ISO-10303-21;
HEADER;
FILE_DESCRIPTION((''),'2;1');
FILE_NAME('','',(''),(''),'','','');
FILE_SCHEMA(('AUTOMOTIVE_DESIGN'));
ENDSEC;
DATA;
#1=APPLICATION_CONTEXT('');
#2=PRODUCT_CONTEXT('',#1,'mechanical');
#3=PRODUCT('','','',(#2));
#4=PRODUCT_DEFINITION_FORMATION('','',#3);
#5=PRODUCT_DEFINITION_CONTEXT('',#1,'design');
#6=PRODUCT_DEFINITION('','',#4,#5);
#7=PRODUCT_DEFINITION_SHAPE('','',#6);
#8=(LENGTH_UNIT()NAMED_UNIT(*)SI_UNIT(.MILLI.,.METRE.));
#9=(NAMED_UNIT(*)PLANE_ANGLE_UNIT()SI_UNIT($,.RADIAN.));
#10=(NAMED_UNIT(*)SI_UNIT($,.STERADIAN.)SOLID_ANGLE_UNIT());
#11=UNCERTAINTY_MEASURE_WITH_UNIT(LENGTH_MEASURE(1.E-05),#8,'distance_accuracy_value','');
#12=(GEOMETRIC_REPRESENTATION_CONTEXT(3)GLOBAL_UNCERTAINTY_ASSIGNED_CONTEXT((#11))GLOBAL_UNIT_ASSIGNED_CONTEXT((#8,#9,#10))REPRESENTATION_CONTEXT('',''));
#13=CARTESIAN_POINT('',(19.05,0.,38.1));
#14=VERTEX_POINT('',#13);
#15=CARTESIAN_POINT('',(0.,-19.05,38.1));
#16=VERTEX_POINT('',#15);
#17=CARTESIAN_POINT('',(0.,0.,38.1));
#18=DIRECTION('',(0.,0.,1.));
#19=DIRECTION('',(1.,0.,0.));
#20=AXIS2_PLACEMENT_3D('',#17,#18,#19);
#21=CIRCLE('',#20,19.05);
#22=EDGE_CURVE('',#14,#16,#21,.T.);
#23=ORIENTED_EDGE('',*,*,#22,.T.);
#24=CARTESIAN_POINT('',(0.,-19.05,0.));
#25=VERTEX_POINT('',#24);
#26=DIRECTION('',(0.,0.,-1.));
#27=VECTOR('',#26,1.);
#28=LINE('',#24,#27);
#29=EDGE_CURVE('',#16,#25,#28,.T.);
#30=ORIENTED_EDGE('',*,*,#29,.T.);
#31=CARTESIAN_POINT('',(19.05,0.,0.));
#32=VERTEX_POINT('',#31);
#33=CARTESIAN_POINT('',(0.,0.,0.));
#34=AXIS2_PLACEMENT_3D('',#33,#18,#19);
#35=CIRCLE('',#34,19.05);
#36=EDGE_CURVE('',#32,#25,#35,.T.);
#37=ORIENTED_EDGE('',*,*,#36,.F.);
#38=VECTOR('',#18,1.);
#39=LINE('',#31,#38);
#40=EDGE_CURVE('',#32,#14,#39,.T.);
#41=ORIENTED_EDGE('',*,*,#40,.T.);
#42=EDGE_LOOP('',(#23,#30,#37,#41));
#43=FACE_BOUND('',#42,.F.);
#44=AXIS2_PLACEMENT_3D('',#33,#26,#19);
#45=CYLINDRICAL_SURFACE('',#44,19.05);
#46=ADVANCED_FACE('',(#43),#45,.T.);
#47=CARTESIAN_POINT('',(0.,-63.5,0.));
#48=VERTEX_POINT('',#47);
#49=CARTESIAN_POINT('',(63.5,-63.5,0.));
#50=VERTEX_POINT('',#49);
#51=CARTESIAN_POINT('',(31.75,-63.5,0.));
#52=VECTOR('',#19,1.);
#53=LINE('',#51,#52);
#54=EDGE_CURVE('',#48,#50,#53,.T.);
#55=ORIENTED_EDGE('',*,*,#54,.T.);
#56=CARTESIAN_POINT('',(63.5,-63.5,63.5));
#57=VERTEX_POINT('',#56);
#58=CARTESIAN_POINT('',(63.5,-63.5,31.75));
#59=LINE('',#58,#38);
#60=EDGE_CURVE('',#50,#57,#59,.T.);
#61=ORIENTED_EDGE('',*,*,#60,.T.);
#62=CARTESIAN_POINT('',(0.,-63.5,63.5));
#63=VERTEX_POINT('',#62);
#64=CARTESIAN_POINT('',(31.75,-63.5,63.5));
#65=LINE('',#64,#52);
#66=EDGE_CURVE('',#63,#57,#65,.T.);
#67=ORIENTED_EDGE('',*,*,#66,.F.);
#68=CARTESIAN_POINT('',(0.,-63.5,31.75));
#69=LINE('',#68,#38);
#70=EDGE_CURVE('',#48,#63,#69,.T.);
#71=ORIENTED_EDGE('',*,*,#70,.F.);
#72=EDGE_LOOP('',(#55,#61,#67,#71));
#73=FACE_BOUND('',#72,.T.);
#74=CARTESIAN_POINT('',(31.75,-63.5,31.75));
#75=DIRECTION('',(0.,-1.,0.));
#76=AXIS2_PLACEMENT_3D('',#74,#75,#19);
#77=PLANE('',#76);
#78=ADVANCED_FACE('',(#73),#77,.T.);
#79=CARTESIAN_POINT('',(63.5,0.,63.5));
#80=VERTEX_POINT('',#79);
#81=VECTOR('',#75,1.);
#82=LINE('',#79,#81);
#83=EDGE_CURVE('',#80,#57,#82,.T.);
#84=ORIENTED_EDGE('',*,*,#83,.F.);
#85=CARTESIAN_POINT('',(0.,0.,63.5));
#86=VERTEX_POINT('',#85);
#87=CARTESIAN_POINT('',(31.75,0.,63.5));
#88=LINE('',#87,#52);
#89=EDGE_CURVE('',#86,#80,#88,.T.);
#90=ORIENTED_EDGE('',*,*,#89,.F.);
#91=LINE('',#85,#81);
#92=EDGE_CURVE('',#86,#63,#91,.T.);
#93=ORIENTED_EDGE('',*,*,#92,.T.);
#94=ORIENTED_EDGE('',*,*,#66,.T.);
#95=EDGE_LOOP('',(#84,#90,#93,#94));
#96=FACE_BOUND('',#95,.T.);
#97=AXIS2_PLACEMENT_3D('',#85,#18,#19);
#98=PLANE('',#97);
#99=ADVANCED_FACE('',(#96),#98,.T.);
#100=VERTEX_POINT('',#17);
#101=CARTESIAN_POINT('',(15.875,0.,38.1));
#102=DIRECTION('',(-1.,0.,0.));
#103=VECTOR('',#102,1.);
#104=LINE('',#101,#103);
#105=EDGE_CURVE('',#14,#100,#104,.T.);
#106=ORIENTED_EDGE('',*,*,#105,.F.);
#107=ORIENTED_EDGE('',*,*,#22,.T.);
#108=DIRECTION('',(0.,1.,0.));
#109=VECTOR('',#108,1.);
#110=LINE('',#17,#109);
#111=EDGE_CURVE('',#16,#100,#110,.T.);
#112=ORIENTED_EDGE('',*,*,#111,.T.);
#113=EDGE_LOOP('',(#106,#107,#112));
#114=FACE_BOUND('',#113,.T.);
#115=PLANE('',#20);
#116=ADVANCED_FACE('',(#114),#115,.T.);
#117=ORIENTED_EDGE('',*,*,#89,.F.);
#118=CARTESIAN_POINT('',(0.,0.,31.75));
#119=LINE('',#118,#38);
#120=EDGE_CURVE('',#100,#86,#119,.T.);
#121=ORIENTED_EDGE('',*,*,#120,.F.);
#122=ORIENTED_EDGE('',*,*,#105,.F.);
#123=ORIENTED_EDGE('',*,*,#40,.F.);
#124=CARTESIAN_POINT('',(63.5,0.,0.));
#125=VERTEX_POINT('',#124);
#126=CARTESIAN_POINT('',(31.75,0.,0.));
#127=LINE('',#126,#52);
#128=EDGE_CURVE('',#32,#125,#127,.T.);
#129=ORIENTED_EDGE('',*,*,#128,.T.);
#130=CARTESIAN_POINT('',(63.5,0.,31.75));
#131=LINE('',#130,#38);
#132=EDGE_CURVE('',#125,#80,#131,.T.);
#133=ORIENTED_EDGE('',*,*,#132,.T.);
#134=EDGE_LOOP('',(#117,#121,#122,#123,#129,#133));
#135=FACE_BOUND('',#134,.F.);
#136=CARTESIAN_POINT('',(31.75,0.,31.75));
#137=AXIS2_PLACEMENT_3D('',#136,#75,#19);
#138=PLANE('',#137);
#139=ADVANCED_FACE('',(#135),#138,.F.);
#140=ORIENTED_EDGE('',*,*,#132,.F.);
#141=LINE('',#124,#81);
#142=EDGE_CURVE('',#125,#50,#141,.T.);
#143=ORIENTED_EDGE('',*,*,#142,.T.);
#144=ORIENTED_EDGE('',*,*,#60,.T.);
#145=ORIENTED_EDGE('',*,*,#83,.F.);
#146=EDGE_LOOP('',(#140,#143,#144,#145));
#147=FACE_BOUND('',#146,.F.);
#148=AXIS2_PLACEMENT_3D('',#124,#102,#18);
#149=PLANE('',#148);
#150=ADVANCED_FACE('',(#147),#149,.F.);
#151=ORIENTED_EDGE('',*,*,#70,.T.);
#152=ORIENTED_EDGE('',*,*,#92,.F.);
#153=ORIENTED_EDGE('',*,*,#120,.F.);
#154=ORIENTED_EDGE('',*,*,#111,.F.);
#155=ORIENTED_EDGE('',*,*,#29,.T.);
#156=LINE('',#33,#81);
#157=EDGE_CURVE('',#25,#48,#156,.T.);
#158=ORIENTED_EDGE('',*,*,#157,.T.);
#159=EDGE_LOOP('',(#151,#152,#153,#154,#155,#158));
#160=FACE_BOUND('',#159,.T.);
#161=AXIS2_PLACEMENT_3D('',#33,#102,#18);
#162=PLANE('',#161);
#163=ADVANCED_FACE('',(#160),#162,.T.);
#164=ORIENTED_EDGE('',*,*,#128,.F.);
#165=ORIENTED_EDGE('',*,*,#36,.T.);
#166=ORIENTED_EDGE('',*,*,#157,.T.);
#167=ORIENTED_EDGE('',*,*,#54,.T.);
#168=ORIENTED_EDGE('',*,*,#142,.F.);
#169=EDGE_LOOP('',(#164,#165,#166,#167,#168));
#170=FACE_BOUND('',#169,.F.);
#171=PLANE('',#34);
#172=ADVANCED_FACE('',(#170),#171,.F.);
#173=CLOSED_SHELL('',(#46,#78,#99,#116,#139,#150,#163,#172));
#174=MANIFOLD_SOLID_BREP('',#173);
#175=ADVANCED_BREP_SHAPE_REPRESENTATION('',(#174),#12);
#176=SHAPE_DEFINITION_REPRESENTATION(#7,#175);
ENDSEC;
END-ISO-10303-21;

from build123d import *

# Parameters (mm, degrees)
F0_W     = 63.5
F0_H     = 63.5
F1_DEPTH = 63.5
F2_R     = 19.05
F3_DEPTH = 38.1
F4_R     = 19.05
F5_DEPTH = 38.1


with BuildPart() as f1:
    # F0 (on Front) → F1 (new body)
    with BuildSketch(Plane.XZ):
        with Locations((31.75, 31.75)):
            Rectangle(F0_W, F0_H)
    extrude(amount=F1_DEPTH)

    # F2 (on Top) → F3 (join)
    with BuildSketch(Plane.XY):
        Circle(F2_R)
    extrude(amount=F3_DEPTH)

    # F4 (on Top) → F5 (join)
    with BuildSketch(Plane.XY):
        Circle(F4_R)
    extrude(amount=F5_DEPTH)


solid = f1.part
